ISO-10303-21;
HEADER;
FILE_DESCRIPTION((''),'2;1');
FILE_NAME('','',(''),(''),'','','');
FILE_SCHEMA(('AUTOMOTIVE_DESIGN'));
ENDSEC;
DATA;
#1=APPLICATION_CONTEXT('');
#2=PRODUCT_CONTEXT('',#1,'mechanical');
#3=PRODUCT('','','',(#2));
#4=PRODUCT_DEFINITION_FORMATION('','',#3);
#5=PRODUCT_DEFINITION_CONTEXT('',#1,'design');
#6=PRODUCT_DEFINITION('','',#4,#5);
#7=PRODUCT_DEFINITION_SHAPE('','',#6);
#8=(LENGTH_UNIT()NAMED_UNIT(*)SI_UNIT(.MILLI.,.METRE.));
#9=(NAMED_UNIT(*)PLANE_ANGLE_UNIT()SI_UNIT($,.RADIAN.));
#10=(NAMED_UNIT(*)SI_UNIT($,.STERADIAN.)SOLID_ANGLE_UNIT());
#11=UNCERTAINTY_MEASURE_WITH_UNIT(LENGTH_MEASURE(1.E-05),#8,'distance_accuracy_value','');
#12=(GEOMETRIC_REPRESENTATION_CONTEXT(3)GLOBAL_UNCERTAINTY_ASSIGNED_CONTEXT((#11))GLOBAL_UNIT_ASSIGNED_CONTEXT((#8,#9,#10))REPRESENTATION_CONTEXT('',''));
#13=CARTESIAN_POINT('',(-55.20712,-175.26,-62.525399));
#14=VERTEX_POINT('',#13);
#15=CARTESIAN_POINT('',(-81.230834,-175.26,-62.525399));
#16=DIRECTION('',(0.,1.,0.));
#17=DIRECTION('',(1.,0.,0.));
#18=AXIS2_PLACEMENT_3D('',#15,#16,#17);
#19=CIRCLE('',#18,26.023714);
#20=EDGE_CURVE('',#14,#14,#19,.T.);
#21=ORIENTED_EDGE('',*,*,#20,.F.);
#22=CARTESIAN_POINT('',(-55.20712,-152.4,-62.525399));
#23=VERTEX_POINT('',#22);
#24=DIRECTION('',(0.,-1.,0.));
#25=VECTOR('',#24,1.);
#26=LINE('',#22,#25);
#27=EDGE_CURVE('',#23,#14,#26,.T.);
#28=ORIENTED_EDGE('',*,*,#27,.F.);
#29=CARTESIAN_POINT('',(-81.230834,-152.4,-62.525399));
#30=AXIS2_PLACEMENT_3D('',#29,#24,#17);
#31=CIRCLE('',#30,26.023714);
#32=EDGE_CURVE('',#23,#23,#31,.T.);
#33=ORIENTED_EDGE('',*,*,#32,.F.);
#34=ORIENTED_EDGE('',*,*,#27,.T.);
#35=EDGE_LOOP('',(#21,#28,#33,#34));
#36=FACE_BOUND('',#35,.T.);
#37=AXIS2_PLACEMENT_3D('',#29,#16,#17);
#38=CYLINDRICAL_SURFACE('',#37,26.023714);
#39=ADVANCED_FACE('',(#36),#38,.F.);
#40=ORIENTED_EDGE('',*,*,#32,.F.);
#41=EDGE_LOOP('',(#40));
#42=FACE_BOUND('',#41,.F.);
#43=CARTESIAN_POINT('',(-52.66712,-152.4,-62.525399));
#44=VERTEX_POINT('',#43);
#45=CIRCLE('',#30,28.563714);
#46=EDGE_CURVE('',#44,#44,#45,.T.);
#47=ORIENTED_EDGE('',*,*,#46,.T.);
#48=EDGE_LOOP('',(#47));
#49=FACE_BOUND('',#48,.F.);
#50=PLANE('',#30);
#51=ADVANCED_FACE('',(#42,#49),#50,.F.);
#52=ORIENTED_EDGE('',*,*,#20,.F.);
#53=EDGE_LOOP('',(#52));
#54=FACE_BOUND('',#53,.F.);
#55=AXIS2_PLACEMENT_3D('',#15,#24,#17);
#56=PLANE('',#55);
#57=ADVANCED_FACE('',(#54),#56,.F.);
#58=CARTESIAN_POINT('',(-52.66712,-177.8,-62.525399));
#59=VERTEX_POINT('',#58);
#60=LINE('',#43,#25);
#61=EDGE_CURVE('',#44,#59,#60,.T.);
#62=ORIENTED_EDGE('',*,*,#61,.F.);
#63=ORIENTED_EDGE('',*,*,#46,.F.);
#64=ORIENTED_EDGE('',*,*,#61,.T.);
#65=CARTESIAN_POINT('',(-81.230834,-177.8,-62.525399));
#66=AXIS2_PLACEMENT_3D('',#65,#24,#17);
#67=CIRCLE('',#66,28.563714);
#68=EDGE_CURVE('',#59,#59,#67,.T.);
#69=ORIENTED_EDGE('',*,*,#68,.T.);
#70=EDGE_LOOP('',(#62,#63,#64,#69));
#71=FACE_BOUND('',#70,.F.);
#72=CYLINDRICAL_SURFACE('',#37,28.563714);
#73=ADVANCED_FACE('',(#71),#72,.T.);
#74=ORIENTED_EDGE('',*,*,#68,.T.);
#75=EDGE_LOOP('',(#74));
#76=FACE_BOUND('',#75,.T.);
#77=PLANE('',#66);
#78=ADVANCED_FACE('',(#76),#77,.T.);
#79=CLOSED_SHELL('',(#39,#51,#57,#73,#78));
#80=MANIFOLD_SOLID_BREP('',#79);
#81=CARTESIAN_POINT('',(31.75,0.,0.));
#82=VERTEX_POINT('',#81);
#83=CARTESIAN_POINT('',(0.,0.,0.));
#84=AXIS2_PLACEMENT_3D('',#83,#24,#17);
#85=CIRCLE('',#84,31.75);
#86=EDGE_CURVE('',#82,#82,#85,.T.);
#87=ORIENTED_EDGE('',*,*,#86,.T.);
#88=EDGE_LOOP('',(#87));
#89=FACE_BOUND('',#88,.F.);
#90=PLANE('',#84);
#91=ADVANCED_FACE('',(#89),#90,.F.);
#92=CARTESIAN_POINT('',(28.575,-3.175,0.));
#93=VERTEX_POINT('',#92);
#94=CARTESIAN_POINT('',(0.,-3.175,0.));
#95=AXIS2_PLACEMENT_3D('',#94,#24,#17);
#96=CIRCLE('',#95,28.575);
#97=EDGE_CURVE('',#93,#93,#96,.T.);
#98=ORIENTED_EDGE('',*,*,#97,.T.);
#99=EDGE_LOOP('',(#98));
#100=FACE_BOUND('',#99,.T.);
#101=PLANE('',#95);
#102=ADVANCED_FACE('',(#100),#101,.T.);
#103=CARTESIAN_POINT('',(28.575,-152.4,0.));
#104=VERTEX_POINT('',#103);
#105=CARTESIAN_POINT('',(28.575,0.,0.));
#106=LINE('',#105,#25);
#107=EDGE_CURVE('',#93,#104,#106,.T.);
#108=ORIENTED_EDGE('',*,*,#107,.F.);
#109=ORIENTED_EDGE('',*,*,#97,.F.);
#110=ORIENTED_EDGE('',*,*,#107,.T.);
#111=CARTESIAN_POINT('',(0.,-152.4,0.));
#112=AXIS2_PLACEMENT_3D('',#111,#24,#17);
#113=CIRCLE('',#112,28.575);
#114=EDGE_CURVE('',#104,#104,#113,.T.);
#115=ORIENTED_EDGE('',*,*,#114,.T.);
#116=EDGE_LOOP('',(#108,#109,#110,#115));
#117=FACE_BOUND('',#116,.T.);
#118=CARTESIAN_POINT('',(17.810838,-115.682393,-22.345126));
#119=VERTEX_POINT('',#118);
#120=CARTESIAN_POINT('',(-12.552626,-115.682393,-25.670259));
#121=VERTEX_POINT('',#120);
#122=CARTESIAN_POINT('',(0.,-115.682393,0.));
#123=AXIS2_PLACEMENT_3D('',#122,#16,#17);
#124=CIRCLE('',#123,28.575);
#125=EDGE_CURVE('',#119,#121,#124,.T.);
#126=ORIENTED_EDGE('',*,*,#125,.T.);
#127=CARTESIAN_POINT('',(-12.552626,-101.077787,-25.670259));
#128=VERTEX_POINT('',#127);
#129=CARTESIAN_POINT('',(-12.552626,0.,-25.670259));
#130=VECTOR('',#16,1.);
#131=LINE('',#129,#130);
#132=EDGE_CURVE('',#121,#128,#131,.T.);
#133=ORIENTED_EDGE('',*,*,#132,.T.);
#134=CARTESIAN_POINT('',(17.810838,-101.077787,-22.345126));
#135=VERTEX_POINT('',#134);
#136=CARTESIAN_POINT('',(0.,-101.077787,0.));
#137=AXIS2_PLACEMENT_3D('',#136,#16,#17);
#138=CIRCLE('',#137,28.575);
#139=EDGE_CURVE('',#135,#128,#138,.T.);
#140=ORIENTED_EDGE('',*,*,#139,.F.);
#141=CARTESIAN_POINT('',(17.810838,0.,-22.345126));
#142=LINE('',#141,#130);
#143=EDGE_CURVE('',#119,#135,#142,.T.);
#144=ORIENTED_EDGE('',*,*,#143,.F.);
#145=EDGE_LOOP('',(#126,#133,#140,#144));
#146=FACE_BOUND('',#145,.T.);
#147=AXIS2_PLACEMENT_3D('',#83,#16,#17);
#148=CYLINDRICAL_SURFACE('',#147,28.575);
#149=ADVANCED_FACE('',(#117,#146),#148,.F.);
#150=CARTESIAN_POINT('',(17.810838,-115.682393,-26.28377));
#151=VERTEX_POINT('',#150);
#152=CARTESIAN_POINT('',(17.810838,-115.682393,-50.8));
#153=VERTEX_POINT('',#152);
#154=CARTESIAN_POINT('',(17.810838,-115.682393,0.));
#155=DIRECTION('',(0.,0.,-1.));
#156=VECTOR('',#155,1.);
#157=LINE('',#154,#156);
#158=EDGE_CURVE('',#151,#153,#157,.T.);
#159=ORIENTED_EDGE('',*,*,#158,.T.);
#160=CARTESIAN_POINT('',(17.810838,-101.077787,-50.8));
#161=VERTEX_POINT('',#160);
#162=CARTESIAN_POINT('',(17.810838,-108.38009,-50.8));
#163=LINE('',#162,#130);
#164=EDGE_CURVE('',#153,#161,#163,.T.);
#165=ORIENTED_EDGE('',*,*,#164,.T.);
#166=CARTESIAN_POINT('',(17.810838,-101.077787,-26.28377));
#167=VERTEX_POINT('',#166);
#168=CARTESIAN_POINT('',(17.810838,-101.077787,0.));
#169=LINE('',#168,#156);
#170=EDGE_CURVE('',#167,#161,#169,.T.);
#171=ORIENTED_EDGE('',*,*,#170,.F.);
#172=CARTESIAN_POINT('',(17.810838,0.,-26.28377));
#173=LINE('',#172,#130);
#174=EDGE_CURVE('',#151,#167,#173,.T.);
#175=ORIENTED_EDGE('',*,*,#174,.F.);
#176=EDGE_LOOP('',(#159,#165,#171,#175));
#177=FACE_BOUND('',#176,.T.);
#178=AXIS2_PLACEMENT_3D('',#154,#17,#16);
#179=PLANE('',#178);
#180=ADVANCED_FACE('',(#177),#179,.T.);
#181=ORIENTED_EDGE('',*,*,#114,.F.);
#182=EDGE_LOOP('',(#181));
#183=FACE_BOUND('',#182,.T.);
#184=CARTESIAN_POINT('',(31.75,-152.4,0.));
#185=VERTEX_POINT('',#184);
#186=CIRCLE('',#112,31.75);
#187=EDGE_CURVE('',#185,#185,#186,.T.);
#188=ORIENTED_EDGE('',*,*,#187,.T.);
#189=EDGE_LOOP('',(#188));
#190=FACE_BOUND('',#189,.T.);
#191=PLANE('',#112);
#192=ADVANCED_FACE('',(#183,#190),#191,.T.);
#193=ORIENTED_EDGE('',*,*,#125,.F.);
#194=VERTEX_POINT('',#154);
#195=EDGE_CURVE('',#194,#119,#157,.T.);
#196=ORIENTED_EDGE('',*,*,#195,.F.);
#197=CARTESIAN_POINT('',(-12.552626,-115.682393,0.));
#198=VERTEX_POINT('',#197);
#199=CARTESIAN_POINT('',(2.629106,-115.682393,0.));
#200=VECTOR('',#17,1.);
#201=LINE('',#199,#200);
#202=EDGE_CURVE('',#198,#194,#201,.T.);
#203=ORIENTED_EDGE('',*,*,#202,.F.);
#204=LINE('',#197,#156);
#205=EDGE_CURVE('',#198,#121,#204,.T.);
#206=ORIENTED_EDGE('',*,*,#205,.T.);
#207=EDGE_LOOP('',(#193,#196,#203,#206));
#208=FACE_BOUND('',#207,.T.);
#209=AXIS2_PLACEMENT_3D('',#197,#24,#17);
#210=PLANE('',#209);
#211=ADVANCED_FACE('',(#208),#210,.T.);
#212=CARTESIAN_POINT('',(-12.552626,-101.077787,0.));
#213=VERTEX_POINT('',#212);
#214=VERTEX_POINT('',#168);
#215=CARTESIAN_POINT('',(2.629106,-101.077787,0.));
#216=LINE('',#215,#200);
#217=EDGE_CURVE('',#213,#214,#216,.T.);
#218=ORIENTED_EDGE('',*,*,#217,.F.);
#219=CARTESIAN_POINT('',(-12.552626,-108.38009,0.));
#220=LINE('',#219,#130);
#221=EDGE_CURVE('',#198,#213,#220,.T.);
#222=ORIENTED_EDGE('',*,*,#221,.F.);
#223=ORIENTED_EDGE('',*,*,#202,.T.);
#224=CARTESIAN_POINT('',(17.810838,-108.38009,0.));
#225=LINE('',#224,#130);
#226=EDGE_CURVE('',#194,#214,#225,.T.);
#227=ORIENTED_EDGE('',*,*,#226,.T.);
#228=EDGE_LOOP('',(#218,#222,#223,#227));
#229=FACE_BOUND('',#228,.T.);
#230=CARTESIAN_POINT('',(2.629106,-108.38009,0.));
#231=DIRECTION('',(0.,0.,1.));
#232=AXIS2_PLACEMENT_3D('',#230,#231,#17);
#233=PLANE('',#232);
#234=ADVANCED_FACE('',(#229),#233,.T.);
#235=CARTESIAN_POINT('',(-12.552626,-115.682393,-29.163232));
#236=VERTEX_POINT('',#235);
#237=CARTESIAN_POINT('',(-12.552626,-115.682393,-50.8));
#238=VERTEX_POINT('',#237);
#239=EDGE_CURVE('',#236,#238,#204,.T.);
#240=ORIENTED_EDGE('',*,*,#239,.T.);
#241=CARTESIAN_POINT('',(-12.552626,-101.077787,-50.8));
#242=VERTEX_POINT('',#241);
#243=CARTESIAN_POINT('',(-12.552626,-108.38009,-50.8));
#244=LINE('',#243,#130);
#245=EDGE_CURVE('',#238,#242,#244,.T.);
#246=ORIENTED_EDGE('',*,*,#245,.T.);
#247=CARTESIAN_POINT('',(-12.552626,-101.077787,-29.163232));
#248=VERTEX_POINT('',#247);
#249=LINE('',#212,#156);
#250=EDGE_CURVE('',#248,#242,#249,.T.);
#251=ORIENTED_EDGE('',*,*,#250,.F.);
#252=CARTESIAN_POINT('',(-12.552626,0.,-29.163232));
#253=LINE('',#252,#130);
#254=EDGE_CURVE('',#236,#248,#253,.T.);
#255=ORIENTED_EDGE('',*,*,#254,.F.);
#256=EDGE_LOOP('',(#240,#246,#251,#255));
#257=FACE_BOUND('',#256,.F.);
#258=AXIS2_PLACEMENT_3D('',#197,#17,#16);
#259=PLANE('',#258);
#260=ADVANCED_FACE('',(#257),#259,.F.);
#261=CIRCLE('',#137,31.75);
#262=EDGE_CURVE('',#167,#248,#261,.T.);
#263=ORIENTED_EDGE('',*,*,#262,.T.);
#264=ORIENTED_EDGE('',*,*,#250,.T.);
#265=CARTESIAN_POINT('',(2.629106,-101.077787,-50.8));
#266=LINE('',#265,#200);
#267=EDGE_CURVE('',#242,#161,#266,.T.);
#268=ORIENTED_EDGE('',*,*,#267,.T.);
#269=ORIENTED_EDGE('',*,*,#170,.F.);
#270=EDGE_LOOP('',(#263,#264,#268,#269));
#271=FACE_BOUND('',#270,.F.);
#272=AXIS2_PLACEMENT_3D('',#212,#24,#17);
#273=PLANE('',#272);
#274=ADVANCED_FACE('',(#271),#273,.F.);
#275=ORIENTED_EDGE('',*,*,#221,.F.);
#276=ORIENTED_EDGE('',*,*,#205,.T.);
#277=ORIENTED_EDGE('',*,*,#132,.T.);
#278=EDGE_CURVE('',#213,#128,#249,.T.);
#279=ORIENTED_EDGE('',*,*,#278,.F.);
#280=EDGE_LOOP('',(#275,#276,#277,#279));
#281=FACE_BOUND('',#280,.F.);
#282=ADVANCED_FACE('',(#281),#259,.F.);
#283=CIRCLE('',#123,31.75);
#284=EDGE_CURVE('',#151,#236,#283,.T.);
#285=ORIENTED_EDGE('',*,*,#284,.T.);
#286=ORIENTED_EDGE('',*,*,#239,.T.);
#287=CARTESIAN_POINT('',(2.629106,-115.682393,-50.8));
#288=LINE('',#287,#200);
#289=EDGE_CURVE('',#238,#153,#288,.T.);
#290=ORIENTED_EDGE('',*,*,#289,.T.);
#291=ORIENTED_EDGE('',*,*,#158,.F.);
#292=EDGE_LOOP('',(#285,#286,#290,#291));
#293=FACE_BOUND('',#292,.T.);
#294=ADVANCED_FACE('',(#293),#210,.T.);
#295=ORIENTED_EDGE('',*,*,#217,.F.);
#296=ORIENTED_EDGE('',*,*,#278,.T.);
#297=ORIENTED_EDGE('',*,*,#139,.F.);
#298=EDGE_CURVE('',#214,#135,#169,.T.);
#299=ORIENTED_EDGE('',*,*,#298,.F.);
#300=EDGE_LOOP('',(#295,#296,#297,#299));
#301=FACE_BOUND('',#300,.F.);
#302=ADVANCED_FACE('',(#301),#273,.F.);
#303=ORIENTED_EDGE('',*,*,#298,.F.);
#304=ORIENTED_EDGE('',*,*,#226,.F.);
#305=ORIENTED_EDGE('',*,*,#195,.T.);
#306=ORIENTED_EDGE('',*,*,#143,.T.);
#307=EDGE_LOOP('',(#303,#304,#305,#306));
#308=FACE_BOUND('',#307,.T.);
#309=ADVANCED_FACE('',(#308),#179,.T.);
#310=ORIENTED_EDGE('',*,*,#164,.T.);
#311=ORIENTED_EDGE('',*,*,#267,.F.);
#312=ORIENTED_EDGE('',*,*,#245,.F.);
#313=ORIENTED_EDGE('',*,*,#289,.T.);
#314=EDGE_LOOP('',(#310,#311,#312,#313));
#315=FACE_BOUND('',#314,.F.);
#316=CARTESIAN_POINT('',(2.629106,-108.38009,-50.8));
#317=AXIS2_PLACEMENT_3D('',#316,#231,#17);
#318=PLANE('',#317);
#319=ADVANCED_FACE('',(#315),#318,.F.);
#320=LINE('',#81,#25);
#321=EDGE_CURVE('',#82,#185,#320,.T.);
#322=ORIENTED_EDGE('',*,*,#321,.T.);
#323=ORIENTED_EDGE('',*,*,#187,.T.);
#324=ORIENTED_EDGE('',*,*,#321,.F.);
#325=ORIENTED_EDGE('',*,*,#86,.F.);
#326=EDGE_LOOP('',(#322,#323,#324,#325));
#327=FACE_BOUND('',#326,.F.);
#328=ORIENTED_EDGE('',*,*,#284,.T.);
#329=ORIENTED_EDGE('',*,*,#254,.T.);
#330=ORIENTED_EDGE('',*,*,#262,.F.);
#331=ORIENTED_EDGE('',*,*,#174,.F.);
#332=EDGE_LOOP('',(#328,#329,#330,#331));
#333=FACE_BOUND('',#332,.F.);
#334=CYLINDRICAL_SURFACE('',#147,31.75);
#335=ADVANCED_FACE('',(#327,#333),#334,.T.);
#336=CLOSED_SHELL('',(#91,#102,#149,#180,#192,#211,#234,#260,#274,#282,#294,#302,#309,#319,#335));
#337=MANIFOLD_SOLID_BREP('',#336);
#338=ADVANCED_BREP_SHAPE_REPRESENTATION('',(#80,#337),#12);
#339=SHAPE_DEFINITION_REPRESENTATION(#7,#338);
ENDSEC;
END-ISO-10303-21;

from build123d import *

# Parameters (mm, degrees)
F0_R     = 28.575
F1_DEPTH = 3.175
F0_R_2   = 31.75
F2_DEPTH = 152.4
F3_R     = 28.563714
F4_DEPTH = 25.4
F5_T     = -2.54
F6_W     = 30.363464
F6_H     = 14.604605
F7_DEPTH = 50.8


with BuildPart() as f1:
    # F0 (on Front) → F1 (new body)
    with BuildSketch(Plane.XZ):
        Circle(F0_R)
    extrude(amount=F1_DEPTH)

    # F0 (on Front) → F2 (join)
    with BuildSketch(Plane.XZ):
        Circle(F0_R_2)
        Circle(F0_R, mode=Mode.SUBTRACT)
    extrude(amount=F2_DEPTH)

    # F6 (on Top) → F7 (join)
    with BuildSketch(Plane.XY):
        with Locations((2.629106, -108.38009)):
            Rectangle(F6_W, F6_H)
    extrude(amount=-F7_DEPTH)


with BuildPart() as f4:
    # F3 (on face) → F4 (new body)
    with BuildSketch(Plane.XZ.offset(152.4)):
        with Locations((-81.230834, -62.525399)):
            Circle(F3_R)
    extrude(amount=F4_DEPTH)

    # F5
    f5_openings = [f4.faces().sort_by_distance(p)[0] for p in [
        (-81.230834, -152.4, -62.525399),
    ]]
    offset(amount=F5_T, openings=f5_openings)


solid = Compound([f1.part, f4.part])
